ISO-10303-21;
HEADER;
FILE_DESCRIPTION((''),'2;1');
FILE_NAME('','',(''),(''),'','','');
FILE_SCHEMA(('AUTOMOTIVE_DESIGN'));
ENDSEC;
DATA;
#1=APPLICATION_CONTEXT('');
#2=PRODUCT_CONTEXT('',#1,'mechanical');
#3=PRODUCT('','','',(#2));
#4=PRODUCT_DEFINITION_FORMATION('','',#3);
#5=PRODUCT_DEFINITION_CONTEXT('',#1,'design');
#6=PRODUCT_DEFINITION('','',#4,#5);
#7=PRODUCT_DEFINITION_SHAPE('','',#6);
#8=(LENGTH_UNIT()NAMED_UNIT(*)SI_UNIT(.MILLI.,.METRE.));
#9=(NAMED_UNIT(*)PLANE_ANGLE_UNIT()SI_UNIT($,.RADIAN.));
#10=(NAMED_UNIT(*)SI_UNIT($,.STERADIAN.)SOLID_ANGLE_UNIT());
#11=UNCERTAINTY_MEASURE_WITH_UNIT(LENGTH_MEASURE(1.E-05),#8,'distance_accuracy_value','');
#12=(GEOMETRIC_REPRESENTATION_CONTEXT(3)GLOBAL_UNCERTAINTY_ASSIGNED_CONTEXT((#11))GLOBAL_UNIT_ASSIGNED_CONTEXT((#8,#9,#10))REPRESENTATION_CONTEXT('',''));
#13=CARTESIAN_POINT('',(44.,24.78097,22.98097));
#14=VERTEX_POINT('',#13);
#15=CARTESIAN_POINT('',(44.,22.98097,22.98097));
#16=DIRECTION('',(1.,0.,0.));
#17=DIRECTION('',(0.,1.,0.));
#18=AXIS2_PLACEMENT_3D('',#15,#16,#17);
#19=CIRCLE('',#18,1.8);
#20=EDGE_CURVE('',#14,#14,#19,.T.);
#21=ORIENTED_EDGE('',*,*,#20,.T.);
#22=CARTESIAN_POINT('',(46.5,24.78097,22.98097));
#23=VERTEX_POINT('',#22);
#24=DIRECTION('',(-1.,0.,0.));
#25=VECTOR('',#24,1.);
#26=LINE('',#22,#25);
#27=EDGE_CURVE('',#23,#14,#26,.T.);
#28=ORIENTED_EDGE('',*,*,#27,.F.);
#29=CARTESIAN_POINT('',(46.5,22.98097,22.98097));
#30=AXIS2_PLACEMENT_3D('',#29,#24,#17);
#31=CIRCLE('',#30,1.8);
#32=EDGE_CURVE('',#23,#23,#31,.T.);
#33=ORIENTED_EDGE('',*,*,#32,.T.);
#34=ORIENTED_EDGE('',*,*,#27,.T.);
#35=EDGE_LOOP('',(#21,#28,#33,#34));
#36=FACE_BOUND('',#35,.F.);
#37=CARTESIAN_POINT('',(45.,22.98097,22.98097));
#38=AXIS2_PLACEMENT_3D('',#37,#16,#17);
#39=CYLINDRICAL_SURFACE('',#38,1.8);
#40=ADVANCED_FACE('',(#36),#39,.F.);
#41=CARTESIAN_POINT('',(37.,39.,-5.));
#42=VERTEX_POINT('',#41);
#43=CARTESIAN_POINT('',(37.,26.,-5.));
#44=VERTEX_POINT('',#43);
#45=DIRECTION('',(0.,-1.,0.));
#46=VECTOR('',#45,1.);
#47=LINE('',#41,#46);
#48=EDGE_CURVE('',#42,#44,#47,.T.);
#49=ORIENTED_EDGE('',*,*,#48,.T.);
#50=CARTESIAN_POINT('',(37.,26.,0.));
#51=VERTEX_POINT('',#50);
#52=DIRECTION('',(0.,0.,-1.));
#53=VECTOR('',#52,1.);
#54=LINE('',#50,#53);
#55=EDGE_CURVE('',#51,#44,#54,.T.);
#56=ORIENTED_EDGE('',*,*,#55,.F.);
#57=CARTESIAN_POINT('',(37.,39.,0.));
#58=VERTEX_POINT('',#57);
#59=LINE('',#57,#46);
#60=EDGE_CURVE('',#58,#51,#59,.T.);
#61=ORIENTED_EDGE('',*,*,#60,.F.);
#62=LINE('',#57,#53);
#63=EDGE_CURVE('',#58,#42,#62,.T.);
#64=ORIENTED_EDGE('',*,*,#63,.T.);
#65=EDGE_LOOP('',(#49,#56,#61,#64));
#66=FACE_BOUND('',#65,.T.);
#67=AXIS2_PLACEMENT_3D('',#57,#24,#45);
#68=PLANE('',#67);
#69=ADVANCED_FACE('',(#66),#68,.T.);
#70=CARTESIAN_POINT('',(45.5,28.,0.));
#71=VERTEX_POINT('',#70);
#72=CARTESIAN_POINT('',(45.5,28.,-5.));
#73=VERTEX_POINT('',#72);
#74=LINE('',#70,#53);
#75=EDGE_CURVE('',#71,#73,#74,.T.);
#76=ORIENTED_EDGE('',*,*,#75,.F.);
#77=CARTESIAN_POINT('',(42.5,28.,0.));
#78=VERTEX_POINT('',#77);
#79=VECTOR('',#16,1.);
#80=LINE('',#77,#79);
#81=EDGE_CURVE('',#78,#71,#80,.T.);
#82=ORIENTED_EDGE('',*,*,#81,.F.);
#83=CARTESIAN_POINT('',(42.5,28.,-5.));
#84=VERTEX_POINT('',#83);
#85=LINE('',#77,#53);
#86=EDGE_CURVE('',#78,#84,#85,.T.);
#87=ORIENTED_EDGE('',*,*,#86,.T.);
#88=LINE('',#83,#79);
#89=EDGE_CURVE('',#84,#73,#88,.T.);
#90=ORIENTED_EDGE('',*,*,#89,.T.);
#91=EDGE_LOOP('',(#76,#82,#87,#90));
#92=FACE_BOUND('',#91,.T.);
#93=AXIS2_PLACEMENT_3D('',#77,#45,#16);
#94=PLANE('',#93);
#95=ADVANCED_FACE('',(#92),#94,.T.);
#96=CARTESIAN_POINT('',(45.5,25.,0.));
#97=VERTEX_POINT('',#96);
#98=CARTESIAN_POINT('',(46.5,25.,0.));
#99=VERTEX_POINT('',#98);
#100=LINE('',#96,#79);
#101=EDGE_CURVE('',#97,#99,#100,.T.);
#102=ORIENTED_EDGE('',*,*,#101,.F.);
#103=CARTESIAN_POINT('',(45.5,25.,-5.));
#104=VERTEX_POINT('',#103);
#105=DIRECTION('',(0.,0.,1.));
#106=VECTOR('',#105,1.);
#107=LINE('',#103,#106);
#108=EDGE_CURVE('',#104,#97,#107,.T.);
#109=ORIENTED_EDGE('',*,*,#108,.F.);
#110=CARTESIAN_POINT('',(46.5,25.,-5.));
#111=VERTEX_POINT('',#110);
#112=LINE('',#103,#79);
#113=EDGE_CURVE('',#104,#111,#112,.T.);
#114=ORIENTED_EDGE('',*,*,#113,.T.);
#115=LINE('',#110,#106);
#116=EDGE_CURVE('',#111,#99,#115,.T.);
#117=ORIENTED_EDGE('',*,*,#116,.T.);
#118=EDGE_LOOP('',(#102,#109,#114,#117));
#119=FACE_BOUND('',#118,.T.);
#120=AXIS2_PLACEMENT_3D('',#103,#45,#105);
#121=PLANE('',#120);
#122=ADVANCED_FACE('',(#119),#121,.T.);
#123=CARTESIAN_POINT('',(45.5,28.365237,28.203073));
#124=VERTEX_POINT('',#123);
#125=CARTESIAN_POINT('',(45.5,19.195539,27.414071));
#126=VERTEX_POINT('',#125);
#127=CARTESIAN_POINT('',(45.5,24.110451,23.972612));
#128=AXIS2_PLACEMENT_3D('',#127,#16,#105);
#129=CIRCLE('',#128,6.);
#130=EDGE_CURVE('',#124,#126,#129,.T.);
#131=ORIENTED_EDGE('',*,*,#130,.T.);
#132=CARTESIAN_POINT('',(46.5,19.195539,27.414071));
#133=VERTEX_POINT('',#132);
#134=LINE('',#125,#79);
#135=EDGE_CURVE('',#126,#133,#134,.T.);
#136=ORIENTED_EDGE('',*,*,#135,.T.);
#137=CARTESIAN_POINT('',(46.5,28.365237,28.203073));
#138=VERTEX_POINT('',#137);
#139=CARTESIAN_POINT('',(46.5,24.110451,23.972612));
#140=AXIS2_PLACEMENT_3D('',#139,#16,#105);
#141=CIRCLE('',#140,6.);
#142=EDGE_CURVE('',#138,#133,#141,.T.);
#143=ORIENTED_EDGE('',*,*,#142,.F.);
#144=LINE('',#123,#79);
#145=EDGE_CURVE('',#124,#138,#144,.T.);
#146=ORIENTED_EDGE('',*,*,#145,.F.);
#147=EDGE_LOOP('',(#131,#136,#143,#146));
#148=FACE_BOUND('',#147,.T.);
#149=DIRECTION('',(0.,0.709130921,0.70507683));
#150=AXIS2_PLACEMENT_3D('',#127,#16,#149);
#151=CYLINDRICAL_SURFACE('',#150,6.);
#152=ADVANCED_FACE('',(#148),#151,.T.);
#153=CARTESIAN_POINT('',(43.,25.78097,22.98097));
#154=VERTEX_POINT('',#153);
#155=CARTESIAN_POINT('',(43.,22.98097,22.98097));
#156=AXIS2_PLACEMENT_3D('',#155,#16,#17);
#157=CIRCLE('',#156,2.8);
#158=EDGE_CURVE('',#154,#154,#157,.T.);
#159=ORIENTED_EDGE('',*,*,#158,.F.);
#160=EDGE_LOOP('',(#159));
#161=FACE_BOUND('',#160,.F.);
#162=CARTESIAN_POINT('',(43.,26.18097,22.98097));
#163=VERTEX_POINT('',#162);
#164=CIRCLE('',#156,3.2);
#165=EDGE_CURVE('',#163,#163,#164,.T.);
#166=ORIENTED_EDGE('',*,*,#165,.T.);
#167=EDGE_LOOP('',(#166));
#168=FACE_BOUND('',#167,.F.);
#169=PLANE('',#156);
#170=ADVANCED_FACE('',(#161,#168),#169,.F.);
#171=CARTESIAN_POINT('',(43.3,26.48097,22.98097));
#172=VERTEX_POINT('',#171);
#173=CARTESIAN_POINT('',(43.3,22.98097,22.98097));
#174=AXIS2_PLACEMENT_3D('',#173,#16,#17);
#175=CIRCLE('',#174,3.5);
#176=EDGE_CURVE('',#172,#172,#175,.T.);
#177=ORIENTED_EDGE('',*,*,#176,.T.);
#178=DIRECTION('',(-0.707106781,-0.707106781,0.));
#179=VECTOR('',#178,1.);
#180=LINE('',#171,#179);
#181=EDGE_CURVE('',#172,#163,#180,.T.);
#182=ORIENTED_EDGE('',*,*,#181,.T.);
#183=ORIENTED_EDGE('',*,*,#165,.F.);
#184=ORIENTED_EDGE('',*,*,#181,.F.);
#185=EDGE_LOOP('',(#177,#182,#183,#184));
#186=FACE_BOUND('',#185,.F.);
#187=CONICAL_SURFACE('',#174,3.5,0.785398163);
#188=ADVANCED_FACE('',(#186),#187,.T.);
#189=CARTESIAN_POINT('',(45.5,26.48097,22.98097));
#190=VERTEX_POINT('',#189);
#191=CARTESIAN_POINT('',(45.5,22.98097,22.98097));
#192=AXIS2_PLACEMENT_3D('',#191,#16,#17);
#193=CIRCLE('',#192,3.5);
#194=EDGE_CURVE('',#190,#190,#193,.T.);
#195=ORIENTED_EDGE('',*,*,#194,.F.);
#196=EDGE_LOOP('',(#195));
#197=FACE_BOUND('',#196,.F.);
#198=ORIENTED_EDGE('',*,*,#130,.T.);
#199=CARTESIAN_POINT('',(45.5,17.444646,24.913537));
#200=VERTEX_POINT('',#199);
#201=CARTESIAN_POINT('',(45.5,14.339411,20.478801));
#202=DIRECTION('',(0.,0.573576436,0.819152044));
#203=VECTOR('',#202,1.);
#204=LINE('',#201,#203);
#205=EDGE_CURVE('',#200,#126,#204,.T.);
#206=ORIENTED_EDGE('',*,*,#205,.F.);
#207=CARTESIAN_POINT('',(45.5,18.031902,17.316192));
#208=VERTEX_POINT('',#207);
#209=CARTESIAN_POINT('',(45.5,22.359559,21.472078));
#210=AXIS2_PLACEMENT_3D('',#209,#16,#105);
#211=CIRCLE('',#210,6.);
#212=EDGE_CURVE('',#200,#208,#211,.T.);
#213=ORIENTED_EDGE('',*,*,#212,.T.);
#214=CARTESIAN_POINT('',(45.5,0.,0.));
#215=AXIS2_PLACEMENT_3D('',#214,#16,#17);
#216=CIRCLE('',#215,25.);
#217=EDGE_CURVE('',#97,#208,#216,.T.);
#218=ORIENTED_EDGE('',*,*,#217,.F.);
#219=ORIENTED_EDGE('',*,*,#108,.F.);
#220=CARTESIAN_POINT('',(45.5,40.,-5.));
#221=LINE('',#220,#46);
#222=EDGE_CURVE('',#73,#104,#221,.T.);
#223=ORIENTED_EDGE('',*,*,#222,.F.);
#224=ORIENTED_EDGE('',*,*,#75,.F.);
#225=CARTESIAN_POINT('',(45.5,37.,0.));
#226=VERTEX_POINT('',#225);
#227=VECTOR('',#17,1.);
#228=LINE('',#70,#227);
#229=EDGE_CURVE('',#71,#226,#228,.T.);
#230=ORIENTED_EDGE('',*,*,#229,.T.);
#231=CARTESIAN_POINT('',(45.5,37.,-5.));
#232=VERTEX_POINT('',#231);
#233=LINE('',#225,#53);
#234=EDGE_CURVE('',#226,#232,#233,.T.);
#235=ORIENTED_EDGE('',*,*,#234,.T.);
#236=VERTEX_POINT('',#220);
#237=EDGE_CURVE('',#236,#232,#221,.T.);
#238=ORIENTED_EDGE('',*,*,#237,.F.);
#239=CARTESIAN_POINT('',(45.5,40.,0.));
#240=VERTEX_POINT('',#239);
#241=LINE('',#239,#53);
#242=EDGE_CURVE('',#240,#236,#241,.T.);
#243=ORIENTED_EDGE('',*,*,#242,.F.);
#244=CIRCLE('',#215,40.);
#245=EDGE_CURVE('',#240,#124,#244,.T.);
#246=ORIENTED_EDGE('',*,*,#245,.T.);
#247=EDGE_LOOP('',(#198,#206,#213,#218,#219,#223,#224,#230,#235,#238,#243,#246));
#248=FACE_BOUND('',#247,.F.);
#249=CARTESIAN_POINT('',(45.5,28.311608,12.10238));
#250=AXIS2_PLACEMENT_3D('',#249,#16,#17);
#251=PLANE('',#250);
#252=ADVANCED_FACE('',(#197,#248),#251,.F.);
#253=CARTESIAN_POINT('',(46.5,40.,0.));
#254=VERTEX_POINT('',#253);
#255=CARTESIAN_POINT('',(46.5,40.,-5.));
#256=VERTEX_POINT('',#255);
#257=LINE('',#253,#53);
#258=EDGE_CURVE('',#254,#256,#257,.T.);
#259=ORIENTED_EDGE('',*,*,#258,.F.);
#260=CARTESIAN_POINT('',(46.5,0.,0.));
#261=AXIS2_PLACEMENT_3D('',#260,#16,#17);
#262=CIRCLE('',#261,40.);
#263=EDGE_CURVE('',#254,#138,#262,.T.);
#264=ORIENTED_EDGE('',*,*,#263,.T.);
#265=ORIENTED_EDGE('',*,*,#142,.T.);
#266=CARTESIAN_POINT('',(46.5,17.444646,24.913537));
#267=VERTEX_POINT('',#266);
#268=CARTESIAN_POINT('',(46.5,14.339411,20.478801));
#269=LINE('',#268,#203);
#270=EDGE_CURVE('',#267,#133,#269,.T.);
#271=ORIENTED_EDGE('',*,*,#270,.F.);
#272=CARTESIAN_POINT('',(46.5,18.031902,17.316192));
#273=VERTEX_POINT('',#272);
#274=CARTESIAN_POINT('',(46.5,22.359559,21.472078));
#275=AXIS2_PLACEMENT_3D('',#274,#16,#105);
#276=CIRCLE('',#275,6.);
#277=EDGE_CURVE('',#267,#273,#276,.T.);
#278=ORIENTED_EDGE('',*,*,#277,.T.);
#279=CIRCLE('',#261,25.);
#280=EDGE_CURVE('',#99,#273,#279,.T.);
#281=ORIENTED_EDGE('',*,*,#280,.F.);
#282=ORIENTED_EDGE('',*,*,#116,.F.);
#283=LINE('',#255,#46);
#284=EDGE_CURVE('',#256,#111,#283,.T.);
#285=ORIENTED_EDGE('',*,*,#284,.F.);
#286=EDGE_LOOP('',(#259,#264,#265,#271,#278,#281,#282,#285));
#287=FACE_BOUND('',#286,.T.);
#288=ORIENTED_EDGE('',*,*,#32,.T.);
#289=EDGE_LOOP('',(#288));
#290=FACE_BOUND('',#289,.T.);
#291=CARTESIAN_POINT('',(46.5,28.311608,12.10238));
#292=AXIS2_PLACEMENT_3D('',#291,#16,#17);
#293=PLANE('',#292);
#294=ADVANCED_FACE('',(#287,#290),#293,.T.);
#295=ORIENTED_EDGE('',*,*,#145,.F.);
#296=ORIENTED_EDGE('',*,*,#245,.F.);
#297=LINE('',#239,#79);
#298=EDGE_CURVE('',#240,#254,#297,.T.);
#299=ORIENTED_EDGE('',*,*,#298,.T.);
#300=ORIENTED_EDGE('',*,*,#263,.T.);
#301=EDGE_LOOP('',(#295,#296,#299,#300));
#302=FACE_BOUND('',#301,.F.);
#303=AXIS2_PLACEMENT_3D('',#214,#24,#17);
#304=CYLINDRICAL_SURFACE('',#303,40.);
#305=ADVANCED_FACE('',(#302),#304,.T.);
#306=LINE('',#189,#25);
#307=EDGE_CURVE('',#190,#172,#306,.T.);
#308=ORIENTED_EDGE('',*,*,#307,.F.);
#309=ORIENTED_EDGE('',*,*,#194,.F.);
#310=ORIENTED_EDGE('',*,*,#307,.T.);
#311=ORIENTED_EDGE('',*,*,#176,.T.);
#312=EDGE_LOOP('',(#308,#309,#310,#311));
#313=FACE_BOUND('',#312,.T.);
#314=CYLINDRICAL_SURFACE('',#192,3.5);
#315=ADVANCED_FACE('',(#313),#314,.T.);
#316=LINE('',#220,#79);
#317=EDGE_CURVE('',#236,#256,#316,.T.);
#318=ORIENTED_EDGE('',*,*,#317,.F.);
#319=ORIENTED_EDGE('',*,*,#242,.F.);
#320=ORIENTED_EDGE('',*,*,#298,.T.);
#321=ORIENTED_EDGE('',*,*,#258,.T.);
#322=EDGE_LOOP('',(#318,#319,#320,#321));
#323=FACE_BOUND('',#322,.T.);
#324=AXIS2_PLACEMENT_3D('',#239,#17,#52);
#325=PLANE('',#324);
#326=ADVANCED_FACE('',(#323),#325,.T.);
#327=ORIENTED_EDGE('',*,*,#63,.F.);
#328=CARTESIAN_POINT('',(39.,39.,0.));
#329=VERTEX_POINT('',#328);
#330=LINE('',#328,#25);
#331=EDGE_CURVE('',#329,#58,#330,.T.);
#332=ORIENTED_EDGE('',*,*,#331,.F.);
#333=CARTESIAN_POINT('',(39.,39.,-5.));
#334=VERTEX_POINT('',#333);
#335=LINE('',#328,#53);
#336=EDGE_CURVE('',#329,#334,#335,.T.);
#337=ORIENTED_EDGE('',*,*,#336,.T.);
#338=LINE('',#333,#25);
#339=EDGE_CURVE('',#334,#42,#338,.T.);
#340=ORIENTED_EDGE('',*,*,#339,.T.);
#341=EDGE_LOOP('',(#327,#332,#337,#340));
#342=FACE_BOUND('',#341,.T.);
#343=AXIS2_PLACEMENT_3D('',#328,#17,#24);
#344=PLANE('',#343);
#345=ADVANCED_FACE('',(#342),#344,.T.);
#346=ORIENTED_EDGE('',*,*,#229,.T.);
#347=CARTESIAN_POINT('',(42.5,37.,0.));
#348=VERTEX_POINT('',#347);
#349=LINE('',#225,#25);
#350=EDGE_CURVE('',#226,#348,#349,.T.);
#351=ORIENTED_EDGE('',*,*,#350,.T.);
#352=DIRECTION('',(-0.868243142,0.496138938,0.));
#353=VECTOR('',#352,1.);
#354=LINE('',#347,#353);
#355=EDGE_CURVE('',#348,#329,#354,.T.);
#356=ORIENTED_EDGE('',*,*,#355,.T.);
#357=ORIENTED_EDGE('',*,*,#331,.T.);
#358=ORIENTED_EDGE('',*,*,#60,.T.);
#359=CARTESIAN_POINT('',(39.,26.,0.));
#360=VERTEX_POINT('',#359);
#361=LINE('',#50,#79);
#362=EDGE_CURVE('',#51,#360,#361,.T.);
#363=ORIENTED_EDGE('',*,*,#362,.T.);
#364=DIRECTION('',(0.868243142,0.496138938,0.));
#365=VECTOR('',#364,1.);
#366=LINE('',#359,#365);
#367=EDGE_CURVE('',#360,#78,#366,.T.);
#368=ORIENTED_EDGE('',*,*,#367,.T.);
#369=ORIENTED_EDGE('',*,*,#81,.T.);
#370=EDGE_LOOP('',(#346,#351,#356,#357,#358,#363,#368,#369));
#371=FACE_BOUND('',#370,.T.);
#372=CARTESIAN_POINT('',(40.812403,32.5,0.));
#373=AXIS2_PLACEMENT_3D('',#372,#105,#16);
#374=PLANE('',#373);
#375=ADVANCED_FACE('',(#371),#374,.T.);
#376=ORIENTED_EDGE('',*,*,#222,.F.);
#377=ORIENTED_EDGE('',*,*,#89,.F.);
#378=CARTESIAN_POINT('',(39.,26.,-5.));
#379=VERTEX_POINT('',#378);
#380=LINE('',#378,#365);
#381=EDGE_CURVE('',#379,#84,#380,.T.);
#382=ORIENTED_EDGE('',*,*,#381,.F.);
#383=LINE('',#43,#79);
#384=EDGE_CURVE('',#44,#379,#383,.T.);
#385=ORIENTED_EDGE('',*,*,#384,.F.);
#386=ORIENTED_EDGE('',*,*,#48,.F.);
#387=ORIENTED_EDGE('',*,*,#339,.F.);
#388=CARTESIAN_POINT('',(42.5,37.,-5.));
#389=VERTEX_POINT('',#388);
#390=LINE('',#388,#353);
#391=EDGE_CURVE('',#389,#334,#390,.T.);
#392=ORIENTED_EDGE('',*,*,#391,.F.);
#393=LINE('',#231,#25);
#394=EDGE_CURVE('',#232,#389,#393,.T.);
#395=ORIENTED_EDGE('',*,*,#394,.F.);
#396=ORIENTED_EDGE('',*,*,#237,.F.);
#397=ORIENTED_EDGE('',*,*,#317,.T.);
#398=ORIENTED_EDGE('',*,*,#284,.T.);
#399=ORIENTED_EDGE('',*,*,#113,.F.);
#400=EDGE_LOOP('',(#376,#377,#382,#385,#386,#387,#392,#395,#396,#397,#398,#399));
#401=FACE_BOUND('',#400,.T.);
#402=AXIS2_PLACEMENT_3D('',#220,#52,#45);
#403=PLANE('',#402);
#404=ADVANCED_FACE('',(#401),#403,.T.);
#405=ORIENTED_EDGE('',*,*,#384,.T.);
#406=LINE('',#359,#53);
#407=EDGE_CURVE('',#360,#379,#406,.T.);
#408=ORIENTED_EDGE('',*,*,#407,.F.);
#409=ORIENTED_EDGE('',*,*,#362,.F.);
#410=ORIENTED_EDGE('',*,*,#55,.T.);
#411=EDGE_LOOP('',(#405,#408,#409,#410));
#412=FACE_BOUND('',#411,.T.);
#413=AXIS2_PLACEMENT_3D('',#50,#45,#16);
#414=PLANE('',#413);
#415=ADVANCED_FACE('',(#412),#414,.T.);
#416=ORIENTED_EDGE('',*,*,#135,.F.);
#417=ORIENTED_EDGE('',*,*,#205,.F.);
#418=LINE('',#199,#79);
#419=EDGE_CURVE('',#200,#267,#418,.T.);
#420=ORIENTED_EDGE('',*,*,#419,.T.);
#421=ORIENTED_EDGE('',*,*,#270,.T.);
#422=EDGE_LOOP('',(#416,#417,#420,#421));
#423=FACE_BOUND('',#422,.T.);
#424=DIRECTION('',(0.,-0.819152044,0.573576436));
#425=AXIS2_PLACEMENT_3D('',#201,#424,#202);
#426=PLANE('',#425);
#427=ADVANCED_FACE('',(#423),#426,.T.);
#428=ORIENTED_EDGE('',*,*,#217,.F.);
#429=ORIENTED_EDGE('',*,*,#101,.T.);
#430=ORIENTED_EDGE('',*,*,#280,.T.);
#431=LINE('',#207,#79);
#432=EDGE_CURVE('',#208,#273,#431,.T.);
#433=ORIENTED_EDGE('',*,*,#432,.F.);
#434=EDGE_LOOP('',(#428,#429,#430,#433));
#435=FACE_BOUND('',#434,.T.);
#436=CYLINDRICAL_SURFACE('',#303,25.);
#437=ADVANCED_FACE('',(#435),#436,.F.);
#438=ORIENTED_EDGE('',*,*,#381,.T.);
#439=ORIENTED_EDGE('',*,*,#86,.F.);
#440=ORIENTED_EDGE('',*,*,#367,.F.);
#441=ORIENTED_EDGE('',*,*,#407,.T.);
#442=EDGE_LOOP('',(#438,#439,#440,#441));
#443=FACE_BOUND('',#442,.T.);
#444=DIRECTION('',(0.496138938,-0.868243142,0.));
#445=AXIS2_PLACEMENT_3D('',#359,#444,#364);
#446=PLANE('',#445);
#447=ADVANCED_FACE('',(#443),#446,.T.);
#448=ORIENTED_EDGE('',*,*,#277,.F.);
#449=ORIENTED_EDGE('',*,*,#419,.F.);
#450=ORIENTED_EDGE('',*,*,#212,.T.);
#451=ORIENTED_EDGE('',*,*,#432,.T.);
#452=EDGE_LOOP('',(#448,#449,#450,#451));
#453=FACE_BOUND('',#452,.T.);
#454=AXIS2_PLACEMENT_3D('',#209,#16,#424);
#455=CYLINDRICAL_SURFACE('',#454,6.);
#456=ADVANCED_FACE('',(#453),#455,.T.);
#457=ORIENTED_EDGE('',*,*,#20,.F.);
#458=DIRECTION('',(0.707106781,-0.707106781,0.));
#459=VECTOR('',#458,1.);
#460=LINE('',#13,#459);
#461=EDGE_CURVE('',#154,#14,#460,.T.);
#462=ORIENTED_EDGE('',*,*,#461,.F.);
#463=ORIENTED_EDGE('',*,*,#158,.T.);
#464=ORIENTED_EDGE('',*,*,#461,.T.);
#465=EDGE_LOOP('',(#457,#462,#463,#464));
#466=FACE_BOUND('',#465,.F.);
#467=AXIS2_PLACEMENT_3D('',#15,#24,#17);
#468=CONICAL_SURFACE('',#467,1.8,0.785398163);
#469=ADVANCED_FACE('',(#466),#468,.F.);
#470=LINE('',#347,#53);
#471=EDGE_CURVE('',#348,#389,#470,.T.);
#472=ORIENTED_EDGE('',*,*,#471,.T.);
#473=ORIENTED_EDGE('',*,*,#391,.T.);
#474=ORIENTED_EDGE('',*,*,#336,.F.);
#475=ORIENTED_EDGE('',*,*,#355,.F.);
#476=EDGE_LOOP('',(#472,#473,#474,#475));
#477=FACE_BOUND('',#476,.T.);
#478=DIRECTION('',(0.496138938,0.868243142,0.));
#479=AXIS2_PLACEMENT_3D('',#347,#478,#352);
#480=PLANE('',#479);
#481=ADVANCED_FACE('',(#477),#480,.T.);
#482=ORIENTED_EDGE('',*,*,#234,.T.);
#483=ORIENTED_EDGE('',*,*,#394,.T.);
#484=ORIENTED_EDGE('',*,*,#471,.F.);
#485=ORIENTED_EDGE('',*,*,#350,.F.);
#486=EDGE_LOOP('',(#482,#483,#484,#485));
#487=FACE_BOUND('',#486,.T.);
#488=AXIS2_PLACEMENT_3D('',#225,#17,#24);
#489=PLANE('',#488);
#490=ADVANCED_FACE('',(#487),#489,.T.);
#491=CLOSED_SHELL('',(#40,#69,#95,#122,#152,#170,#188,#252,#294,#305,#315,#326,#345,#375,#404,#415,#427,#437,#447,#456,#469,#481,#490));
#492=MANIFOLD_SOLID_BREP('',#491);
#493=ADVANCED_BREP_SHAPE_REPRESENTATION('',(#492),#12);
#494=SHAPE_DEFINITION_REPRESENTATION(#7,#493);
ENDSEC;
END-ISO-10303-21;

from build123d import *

# Parameters (mm, degrees)
PAD030_DEPTH         = 1
SKETCH054_R          = 3.5
PAD031_DEPTH         = 2.5
PAD032_DEPTH         = 5
SKETCH056_R          = 1.8
POCKET018_DEPTH      = 1.501
POCKET018_DEPTH_BACK = 8.001
CHAMFER005_SIZE      = 1
FILLET001_R          = 6
CHAMFER006_SIZE      = 0.3


with BuildPart() as part:
    # Sketch053 → Pad030 (new body)
    with BuildSketch(Plane.YZ.offset(45.5)):
        with BuildLine():
            ThreePointArc((40, 0), (35.4804333271, 18.4699445294), (22.943057454, 32.7660817716))
            Line((14.3394109088, 20.4788011072), (22.943057454, 32.7660817716))
            ThreePointArc((25, 0), (22.1752708295, 11.5437153309), (14.3394109088, 20.4788011072))
            Line((25, -5), (25, 0))
            Line((40, -5), (25, -5))
            Line((40, 0), (40, -5))
        make_face()
    extrude(amount=PAD030_DEPTH)

    # Sketch054 → Pad031 (join)
    with BuildSketch(Plane.YZ.offset(45.5)):
        with Locations((22.9809703886, 22.9809703886)):
            Circle(SKETCH054_R)
    extrude(amount=-PAD031_DEPTH)

    # Sketch055 → Pad032 (join)
    with BuildSketch(Plane.XY):
        Polygon((39, 39), (37, 39), (37, 26), (39, 26), (42.5, 28), (45.5, 28), (45.5, 37), (42.5, 37), align=None)
    extrude(amount=-PAD032_DEPTH)

    # Sketch056 → Pocket018 (cut, two sides)
    with BuildSketch(Plane.YZ.offset(45)) as pocket018_sk:
        with Locations((22.9809703886, 22.9809703886)):
            Circle(SKETCH056_R)
    extrude(amount=POCKET018_DEPTH, mode=Mode.SUBTRACT)
    extrude(pocket018_sk.sketch, amount=-POCKET018_DEPTH_BACK, mode=Mode.SUBTRACT)

    # Chamfer005
    chamfer005_edges = [part.edges().sort_by_distance(p)[0] for p in [
        (43, 21.18097, 22.98097),
    ]]
    chamfer(chamfer005_edges, length=CHAMFER005_SIZE)

    # Fillet001
    fillet001_edges = [part.edges().sort_by_distance(p)[0] for p in [
        (46, 14.339411, 20.478801),
        (46, 22.943057, 32.766082),
    ]]
    fillet(fillet001_edges, radius=FILLET001_R)

    # Chamfer006
    chamfer006_edges = [part.edges().sort_by_distance(p)[0] for p in [
        (43, 19.48097, 22.98097),
    ]]
    chamfer(chamfer006_edges, length=CHAMFER006_SIZE)


solid = part.part
